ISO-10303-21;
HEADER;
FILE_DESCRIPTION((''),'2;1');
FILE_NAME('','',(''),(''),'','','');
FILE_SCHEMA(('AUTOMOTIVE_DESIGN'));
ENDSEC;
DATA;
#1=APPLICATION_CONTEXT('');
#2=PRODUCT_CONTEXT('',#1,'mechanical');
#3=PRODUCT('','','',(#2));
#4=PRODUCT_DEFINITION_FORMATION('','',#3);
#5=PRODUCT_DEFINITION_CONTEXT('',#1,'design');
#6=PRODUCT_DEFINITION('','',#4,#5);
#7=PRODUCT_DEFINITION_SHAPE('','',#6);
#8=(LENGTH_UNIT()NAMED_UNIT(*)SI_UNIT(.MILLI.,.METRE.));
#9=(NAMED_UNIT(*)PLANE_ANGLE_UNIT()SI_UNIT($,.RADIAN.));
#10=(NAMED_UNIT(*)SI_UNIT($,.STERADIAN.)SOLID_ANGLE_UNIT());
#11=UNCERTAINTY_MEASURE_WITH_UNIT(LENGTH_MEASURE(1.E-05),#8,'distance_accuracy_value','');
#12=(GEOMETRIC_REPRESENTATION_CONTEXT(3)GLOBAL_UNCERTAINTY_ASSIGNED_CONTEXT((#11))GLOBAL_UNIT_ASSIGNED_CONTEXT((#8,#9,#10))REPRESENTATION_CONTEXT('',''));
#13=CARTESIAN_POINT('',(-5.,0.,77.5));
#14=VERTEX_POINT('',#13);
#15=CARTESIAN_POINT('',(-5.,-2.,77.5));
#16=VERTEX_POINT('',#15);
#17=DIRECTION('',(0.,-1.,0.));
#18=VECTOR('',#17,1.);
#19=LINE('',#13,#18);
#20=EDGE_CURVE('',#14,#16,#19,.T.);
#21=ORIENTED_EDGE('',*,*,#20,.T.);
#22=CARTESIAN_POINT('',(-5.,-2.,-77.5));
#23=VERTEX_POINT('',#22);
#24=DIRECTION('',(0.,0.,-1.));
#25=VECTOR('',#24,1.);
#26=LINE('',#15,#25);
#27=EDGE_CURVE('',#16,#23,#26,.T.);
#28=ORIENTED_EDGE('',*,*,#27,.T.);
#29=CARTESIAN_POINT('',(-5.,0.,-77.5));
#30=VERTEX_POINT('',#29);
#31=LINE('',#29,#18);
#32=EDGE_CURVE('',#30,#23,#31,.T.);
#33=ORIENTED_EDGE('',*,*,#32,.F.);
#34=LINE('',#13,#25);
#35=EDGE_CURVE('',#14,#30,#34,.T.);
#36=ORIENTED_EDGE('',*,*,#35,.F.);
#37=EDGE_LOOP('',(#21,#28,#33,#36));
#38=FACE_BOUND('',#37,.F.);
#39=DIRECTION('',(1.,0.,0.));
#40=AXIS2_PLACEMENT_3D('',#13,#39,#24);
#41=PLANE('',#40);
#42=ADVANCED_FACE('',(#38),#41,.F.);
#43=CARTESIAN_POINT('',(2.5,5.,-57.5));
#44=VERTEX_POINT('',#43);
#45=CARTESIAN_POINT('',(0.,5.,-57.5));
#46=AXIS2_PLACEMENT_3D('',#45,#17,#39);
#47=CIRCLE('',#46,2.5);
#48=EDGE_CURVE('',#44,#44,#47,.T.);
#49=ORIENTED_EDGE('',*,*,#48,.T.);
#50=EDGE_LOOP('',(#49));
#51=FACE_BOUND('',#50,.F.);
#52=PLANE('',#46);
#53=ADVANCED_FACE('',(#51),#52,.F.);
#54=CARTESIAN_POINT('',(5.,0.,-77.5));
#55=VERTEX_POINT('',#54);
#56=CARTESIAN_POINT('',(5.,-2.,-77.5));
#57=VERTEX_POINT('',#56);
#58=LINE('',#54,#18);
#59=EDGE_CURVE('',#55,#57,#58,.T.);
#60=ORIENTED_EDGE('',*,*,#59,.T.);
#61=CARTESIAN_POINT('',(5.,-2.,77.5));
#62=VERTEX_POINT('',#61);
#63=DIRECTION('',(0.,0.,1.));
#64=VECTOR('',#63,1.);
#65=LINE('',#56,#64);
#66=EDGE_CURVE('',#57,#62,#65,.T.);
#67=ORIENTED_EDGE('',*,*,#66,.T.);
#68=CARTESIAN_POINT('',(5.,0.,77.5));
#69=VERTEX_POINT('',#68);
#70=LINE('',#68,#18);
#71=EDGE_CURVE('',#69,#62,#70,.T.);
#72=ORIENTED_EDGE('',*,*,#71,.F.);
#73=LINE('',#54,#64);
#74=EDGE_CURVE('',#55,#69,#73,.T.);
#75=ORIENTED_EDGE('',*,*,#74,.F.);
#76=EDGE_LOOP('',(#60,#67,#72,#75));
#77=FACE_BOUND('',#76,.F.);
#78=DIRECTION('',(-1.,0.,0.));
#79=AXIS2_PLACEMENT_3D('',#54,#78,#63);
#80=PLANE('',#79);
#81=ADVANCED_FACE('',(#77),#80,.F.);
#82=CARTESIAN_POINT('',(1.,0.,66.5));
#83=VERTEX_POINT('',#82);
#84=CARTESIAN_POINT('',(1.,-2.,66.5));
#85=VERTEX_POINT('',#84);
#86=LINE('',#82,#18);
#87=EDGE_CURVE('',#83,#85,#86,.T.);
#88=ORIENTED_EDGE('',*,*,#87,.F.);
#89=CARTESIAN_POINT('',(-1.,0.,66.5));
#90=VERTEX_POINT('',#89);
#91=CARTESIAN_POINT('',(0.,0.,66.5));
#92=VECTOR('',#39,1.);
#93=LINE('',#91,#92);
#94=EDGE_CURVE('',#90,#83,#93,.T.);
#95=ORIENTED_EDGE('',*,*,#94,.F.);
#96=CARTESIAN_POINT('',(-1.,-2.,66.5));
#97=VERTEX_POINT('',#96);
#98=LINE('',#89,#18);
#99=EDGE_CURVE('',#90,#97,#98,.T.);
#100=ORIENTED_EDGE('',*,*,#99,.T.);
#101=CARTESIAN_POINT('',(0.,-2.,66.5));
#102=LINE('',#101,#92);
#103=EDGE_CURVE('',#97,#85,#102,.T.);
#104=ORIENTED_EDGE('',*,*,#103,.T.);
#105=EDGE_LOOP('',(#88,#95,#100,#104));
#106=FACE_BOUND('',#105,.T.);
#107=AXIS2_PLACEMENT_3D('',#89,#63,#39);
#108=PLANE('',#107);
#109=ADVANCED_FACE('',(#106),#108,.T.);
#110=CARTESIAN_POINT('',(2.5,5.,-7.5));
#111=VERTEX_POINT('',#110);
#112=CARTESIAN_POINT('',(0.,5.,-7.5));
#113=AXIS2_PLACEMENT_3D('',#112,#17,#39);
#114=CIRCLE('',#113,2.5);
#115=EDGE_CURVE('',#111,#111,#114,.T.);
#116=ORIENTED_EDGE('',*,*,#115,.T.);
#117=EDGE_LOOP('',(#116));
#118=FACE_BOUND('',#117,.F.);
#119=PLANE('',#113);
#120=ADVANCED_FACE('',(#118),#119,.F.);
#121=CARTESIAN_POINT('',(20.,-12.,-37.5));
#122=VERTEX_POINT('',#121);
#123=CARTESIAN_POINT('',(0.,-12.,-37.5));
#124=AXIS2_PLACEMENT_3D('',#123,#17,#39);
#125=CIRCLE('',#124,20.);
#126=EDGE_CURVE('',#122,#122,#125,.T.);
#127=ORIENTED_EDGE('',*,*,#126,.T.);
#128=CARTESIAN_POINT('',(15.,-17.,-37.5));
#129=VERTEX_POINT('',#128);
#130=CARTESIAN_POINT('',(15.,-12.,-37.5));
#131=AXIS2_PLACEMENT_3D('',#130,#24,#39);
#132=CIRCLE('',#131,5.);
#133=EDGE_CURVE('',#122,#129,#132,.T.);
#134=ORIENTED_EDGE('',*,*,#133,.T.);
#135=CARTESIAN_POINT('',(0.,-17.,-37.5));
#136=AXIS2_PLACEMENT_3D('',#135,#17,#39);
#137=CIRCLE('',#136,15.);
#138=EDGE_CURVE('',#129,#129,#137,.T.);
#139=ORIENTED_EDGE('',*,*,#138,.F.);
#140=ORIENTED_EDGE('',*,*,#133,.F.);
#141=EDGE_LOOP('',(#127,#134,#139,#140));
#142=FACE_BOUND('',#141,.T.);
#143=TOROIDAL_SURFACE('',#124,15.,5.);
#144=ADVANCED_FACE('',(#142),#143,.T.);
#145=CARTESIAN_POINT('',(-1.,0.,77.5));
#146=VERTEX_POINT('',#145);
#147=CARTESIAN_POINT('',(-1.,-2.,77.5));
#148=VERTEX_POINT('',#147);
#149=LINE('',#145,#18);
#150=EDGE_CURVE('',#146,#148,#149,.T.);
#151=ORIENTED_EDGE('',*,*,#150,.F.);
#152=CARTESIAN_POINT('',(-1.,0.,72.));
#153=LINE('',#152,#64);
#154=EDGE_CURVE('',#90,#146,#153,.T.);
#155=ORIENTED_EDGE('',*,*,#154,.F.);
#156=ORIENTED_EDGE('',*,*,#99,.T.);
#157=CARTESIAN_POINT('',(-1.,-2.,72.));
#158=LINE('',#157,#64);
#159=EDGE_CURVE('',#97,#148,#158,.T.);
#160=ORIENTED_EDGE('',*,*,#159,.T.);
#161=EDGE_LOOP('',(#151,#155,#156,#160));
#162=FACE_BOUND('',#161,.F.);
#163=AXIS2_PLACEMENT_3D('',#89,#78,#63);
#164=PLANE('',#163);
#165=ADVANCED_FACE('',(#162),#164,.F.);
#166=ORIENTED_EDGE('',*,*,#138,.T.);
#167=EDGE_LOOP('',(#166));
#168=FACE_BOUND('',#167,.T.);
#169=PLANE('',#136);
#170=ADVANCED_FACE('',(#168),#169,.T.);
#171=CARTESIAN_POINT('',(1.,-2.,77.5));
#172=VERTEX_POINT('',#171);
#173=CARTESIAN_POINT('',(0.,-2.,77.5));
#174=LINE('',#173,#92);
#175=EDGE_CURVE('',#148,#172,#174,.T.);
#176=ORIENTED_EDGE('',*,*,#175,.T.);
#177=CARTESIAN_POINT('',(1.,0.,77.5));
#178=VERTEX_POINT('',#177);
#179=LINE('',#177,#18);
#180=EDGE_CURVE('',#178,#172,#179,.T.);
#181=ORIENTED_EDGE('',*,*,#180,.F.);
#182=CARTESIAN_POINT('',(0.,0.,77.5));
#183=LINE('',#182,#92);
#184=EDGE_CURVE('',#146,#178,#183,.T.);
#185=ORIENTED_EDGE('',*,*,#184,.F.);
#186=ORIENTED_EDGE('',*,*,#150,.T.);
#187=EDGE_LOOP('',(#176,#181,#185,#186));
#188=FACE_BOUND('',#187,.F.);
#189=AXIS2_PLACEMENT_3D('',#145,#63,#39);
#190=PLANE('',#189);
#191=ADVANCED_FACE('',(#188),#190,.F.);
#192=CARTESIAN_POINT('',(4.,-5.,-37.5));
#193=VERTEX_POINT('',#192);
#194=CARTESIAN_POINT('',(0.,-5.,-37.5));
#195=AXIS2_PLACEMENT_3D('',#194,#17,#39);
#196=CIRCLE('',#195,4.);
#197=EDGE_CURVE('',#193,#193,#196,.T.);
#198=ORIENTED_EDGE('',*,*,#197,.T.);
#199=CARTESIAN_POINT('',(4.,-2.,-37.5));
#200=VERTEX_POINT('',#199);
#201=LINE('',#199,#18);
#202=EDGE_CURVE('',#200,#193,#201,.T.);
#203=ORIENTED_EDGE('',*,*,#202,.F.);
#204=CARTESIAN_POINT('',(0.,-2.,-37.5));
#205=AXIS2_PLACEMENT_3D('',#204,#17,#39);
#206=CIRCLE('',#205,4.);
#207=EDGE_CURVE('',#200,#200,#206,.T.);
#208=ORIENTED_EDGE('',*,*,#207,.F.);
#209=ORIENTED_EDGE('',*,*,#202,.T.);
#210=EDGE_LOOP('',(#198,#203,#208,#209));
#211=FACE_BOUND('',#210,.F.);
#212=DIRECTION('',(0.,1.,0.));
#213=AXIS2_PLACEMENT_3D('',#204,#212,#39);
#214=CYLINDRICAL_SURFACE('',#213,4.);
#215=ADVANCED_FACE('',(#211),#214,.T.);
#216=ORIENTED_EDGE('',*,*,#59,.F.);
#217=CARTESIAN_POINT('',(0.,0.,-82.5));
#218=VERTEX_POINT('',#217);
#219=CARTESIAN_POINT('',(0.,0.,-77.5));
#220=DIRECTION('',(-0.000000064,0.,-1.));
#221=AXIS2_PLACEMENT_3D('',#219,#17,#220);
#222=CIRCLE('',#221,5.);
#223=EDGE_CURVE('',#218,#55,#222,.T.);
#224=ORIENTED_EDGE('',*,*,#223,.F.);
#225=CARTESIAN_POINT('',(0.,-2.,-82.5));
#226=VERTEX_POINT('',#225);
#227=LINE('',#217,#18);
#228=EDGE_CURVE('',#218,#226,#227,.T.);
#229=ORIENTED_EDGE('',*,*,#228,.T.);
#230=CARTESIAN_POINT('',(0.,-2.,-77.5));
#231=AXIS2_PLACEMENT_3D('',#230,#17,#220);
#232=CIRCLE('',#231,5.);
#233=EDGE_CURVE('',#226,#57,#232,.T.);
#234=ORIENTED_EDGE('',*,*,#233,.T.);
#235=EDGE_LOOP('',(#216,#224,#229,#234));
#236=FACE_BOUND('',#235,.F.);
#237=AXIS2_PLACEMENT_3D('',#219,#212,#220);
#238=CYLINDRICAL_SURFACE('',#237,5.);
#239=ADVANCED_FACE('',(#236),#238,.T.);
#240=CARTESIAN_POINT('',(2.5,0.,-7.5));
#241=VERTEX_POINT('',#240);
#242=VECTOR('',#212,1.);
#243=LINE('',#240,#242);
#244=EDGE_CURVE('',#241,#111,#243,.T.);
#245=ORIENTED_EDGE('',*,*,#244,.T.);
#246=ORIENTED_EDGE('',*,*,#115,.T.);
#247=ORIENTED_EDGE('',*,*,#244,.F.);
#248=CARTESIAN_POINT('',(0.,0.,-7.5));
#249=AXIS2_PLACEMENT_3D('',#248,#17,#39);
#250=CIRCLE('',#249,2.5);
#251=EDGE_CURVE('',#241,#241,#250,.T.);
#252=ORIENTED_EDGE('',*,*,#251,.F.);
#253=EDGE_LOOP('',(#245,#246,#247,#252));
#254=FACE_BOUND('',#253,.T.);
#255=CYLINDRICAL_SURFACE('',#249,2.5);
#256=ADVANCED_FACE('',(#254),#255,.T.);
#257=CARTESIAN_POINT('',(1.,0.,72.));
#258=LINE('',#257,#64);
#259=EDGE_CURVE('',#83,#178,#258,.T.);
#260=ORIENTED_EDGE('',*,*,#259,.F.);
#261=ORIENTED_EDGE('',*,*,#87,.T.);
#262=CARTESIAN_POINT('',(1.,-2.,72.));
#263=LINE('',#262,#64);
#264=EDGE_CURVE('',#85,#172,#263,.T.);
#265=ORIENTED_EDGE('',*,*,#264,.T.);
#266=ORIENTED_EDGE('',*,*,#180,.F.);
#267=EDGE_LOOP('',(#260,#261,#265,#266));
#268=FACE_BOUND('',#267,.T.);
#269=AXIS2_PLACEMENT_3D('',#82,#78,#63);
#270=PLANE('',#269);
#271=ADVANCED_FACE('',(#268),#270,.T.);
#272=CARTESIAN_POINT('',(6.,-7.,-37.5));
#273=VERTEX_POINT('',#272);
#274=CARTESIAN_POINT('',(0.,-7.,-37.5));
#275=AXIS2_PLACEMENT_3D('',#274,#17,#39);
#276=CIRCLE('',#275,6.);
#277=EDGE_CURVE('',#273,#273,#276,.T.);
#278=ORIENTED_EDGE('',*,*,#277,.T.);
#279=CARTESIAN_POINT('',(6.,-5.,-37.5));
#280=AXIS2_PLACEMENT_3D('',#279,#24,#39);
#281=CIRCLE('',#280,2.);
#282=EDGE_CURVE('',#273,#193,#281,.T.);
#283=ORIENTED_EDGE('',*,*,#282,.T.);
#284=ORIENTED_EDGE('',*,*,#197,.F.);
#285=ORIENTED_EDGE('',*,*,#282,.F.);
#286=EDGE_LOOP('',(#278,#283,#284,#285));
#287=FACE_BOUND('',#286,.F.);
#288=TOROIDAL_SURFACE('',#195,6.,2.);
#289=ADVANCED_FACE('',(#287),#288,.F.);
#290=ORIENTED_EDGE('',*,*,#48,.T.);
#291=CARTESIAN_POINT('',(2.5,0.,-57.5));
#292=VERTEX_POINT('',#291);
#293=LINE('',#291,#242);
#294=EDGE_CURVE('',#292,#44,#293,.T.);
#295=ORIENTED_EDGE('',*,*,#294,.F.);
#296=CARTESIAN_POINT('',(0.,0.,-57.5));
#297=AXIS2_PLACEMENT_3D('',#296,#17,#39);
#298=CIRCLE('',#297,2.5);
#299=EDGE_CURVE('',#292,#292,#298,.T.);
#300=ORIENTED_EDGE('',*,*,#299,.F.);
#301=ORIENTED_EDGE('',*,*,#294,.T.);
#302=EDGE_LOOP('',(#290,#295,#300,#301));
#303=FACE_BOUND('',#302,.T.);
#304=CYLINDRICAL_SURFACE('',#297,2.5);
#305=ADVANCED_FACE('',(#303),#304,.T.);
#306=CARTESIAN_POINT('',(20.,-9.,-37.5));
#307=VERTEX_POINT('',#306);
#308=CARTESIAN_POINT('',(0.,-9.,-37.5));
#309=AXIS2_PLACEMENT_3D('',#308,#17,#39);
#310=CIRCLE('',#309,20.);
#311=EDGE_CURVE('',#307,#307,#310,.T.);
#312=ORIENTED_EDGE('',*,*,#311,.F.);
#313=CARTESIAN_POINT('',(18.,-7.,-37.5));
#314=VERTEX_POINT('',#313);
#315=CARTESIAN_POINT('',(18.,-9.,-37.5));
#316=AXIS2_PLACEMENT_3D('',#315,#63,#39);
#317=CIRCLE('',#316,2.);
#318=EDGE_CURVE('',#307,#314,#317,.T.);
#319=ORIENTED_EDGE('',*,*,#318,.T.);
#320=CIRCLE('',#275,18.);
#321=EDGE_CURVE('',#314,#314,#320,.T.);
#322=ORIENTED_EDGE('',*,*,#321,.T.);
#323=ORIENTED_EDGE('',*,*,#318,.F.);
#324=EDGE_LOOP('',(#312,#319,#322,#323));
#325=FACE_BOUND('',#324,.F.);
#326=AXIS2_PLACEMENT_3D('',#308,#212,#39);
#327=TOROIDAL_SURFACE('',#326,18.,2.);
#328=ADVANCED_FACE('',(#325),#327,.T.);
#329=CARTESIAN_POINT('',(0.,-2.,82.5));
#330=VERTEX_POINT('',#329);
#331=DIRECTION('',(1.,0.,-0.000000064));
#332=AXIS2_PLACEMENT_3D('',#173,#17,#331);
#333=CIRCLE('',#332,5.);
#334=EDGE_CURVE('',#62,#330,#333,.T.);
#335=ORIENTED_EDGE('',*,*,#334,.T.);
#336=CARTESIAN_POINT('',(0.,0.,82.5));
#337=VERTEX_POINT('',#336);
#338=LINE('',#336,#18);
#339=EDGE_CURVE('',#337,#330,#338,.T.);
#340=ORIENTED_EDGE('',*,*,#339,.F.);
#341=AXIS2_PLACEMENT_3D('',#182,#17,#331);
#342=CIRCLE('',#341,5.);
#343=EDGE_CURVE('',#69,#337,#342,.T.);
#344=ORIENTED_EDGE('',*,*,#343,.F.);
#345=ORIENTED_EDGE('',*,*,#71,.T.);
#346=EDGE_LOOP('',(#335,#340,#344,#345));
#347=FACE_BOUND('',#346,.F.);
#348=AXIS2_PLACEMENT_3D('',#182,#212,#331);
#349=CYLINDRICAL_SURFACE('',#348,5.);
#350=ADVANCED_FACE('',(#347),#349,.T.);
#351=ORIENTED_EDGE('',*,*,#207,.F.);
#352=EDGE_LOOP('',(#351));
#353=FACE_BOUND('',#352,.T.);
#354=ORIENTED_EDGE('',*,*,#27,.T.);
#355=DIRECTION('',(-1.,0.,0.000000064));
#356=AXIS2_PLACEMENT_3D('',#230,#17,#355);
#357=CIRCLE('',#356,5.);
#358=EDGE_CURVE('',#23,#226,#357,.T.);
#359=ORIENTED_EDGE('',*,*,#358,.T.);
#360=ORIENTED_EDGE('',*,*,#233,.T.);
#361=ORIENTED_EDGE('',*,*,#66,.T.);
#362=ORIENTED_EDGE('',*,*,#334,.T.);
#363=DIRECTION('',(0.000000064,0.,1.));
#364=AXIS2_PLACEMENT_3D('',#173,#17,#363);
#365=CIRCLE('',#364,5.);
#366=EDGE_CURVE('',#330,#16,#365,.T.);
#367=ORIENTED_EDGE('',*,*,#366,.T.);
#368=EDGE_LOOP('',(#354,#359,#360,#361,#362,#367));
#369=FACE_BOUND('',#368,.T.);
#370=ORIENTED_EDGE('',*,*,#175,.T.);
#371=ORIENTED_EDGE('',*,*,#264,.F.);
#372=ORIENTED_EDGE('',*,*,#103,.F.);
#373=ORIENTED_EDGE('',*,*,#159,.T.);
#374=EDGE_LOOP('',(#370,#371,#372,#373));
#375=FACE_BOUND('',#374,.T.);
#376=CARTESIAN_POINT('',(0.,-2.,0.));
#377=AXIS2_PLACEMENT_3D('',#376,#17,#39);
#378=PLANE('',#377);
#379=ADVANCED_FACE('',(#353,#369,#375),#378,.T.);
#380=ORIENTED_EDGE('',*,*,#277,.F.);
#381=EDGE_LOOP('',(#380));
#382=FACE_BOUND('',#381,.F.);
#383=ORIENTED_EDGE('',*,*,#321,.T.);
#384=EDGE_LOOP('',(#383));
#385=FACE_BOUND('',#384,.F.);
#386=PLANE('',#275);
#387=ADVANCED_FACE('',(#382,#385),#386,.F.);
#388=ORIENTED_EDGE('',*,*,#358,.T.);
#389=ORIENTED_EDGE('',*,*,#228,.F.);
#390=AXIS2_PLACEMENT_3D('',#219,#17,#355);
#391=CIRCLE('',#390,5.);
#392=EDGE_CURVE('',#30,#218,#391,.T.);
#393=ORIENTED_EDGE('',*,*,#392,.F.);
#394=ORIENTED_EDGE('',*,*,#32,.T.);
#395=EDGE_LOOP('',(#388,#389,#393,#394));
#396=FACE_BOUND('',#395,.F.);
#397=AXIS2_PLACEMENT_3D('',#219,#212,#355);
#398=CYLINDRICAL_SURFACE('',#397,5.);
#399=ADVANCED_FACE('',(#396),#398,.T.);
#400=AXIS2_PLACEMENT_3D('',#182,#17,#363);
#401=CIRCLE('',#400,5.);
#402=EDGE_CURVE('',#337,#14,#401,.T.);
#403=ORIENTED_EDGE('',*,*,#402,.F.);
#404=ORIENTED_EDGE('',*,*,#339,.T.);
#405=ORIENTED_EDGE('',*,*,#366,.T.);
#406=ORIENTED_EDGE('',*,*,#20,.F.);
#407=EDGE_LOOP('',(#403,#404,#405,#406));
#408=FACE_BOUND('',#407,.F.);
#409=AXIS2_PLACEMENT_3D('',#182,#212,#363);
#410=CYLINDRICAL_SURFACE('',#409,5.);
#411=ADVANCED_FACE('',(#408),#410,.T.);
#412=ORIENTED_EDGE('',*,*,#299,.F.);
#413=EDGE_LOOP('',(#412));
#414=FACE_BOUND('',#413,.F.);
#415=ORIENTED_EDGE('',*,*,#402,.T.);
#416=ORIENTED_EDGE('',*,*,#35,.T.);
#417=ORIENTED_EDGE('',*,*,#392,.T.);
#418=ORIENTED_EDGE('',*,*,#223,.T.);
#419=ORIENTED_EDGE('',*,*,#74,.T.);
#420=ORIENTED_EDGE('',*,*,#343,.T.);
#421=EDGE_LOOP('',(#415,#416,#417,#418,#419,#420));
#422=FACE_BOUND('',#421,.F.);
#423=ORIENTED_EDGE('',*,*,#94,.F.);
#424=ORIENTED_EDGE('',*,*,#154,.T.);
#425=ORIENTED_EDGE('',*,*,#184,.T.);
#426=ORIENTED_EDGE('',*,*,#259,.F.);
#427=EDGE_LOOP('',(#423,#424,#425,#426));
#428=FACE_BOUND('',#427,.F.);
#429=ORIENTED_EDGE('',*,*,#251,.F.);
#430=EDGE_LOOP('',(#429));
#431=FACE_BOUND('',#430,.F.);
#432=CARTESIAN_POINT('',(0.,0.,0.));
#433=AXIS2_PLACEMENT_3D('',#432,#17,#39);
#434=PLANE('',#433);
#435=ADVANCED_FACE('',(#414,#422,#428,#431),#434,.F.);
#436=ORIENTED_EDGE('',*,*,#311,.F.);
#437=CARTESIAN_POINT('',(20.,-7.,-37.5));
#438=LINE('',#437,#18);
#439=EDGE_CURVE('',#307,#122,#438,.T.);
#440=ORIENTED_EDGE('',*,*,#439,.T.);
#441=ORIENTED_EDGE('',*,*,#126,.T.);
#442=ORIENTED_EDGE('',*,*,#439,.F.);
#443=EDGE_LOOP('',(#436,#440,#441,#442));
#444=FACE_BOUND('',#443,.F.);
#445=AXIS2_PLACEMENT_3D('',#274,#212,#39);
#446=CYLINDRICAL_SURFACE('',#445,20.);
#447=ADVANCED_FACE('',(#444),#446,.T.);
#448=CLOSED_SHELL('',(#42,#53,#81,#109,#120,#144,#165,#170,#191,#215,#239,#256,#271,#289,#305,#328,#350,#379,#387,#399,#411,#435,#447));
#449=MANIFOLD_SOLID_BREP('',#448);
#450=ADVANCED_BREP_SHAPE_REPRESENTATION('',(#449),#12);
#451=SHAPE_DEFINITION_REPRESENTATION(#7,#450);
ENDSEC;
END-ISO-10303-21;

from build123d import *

# Parameters (mm, degrees)
F0_R     = 2.5
F0_W     = 2
F0_H     = 11
F1_DEPTH = 2
F2_DEPTH = 5
F3_R     = 4
F4_DEPTH = 5
F5_R     = 20
F5_R_2   = 4
F6_DEPTH = 10
F7_R     = 5
F8_R     = 2


with BuildPart() as f1:
    # F0 (on Front) → F1 (new body)
    with BuildSketch(Plane.XZ):
        with BuildLine():
            Line((5, -77.5), (5, 77.5))
            ThreePointArc((5, 77.5), (3.535534, 81.035534), (0, 82.5))
            ThreePointArc((0, 82.5), (-3.535534, 81.035534), (-5, 77.5))
            Line((-5, 77.5), (-5, -77.5))
            ThreePointArc((-5, -77.5), (-3.535534, -81.035534), (0, -82.5))
            ThreePointArc((0, -82.5), (3.535534, -81.035534), (5, -77.5))
        make_face()
        with Locations((0, -67.5)):
            Circle(F0_R, mode=Mode.SUBTRACT)
        with Locations((0, -57.5)):
            Circle(F0_R, mode=Mode.SUBTRACT)
        with Locations((0, -17.5)):
            Circle(F0_R, mode=Mode.SUBTRACT)
        with Locations((0, -7.5)):
            Circle(F0_R, mode=Mode.SUBTRACT)
        with Locations((0, 72)):
            Rectangle(F0_W, F0_H, mode=Mode.SUBTRACT)
        with Locations((0, -7.5)):
            Circle(F0_R)
        with Locations((0, -17.5)):
            Circle(F0_R)
        with Locations((0, -57.5)):
            Circle(F0_R)
        with Locations((0, -67.5)):
            Circle(F0_R)
    extrude(amount=F1_DEPTH)

    # F0 (on Front) → F2 (join)
    with BuildSketch(Plane.XZ):
        with Locations((0, -7.5)):
            Circle(F0_R)
        with Locations((0, -57.5)):
            Circle(F0_R)
    extrude(amount=-F2_DEPTH)

    # F3 (on face) → F4 (join)
    with BuildSketch(Plane.XZ.offset(2)):
        with Locations((0, -37.5)):
            Circle(F3_R)
    extrude(amount=F4_DEPTH)

    # F5 (on face) → F6 (join)
    with BuildSketch(Plane.XZ.offset(7)):
        with Locations((0, -37.5)):
            Circle(F5_R)
        with Locations((0, -37.5)):
            Circle(F5_R_2)
    extrude(amount=F6_DEPTH)

    # F7
    f7_edges = [f1.edges().sort_by_distance(p)[0] for p in [
        (-20, -17, -37.5),
    ]]
    fillet(f7_edges, radius=F7_R)

    # F8
    f8_edges = [f1.edges().sort_by_distance(p)[0] for p in [
        (-4, -7, -37.5),
        (-20, -7, -37.5),
    ]]
    fillet(f8_edges, radius=F8_R)


solid = f1.part
